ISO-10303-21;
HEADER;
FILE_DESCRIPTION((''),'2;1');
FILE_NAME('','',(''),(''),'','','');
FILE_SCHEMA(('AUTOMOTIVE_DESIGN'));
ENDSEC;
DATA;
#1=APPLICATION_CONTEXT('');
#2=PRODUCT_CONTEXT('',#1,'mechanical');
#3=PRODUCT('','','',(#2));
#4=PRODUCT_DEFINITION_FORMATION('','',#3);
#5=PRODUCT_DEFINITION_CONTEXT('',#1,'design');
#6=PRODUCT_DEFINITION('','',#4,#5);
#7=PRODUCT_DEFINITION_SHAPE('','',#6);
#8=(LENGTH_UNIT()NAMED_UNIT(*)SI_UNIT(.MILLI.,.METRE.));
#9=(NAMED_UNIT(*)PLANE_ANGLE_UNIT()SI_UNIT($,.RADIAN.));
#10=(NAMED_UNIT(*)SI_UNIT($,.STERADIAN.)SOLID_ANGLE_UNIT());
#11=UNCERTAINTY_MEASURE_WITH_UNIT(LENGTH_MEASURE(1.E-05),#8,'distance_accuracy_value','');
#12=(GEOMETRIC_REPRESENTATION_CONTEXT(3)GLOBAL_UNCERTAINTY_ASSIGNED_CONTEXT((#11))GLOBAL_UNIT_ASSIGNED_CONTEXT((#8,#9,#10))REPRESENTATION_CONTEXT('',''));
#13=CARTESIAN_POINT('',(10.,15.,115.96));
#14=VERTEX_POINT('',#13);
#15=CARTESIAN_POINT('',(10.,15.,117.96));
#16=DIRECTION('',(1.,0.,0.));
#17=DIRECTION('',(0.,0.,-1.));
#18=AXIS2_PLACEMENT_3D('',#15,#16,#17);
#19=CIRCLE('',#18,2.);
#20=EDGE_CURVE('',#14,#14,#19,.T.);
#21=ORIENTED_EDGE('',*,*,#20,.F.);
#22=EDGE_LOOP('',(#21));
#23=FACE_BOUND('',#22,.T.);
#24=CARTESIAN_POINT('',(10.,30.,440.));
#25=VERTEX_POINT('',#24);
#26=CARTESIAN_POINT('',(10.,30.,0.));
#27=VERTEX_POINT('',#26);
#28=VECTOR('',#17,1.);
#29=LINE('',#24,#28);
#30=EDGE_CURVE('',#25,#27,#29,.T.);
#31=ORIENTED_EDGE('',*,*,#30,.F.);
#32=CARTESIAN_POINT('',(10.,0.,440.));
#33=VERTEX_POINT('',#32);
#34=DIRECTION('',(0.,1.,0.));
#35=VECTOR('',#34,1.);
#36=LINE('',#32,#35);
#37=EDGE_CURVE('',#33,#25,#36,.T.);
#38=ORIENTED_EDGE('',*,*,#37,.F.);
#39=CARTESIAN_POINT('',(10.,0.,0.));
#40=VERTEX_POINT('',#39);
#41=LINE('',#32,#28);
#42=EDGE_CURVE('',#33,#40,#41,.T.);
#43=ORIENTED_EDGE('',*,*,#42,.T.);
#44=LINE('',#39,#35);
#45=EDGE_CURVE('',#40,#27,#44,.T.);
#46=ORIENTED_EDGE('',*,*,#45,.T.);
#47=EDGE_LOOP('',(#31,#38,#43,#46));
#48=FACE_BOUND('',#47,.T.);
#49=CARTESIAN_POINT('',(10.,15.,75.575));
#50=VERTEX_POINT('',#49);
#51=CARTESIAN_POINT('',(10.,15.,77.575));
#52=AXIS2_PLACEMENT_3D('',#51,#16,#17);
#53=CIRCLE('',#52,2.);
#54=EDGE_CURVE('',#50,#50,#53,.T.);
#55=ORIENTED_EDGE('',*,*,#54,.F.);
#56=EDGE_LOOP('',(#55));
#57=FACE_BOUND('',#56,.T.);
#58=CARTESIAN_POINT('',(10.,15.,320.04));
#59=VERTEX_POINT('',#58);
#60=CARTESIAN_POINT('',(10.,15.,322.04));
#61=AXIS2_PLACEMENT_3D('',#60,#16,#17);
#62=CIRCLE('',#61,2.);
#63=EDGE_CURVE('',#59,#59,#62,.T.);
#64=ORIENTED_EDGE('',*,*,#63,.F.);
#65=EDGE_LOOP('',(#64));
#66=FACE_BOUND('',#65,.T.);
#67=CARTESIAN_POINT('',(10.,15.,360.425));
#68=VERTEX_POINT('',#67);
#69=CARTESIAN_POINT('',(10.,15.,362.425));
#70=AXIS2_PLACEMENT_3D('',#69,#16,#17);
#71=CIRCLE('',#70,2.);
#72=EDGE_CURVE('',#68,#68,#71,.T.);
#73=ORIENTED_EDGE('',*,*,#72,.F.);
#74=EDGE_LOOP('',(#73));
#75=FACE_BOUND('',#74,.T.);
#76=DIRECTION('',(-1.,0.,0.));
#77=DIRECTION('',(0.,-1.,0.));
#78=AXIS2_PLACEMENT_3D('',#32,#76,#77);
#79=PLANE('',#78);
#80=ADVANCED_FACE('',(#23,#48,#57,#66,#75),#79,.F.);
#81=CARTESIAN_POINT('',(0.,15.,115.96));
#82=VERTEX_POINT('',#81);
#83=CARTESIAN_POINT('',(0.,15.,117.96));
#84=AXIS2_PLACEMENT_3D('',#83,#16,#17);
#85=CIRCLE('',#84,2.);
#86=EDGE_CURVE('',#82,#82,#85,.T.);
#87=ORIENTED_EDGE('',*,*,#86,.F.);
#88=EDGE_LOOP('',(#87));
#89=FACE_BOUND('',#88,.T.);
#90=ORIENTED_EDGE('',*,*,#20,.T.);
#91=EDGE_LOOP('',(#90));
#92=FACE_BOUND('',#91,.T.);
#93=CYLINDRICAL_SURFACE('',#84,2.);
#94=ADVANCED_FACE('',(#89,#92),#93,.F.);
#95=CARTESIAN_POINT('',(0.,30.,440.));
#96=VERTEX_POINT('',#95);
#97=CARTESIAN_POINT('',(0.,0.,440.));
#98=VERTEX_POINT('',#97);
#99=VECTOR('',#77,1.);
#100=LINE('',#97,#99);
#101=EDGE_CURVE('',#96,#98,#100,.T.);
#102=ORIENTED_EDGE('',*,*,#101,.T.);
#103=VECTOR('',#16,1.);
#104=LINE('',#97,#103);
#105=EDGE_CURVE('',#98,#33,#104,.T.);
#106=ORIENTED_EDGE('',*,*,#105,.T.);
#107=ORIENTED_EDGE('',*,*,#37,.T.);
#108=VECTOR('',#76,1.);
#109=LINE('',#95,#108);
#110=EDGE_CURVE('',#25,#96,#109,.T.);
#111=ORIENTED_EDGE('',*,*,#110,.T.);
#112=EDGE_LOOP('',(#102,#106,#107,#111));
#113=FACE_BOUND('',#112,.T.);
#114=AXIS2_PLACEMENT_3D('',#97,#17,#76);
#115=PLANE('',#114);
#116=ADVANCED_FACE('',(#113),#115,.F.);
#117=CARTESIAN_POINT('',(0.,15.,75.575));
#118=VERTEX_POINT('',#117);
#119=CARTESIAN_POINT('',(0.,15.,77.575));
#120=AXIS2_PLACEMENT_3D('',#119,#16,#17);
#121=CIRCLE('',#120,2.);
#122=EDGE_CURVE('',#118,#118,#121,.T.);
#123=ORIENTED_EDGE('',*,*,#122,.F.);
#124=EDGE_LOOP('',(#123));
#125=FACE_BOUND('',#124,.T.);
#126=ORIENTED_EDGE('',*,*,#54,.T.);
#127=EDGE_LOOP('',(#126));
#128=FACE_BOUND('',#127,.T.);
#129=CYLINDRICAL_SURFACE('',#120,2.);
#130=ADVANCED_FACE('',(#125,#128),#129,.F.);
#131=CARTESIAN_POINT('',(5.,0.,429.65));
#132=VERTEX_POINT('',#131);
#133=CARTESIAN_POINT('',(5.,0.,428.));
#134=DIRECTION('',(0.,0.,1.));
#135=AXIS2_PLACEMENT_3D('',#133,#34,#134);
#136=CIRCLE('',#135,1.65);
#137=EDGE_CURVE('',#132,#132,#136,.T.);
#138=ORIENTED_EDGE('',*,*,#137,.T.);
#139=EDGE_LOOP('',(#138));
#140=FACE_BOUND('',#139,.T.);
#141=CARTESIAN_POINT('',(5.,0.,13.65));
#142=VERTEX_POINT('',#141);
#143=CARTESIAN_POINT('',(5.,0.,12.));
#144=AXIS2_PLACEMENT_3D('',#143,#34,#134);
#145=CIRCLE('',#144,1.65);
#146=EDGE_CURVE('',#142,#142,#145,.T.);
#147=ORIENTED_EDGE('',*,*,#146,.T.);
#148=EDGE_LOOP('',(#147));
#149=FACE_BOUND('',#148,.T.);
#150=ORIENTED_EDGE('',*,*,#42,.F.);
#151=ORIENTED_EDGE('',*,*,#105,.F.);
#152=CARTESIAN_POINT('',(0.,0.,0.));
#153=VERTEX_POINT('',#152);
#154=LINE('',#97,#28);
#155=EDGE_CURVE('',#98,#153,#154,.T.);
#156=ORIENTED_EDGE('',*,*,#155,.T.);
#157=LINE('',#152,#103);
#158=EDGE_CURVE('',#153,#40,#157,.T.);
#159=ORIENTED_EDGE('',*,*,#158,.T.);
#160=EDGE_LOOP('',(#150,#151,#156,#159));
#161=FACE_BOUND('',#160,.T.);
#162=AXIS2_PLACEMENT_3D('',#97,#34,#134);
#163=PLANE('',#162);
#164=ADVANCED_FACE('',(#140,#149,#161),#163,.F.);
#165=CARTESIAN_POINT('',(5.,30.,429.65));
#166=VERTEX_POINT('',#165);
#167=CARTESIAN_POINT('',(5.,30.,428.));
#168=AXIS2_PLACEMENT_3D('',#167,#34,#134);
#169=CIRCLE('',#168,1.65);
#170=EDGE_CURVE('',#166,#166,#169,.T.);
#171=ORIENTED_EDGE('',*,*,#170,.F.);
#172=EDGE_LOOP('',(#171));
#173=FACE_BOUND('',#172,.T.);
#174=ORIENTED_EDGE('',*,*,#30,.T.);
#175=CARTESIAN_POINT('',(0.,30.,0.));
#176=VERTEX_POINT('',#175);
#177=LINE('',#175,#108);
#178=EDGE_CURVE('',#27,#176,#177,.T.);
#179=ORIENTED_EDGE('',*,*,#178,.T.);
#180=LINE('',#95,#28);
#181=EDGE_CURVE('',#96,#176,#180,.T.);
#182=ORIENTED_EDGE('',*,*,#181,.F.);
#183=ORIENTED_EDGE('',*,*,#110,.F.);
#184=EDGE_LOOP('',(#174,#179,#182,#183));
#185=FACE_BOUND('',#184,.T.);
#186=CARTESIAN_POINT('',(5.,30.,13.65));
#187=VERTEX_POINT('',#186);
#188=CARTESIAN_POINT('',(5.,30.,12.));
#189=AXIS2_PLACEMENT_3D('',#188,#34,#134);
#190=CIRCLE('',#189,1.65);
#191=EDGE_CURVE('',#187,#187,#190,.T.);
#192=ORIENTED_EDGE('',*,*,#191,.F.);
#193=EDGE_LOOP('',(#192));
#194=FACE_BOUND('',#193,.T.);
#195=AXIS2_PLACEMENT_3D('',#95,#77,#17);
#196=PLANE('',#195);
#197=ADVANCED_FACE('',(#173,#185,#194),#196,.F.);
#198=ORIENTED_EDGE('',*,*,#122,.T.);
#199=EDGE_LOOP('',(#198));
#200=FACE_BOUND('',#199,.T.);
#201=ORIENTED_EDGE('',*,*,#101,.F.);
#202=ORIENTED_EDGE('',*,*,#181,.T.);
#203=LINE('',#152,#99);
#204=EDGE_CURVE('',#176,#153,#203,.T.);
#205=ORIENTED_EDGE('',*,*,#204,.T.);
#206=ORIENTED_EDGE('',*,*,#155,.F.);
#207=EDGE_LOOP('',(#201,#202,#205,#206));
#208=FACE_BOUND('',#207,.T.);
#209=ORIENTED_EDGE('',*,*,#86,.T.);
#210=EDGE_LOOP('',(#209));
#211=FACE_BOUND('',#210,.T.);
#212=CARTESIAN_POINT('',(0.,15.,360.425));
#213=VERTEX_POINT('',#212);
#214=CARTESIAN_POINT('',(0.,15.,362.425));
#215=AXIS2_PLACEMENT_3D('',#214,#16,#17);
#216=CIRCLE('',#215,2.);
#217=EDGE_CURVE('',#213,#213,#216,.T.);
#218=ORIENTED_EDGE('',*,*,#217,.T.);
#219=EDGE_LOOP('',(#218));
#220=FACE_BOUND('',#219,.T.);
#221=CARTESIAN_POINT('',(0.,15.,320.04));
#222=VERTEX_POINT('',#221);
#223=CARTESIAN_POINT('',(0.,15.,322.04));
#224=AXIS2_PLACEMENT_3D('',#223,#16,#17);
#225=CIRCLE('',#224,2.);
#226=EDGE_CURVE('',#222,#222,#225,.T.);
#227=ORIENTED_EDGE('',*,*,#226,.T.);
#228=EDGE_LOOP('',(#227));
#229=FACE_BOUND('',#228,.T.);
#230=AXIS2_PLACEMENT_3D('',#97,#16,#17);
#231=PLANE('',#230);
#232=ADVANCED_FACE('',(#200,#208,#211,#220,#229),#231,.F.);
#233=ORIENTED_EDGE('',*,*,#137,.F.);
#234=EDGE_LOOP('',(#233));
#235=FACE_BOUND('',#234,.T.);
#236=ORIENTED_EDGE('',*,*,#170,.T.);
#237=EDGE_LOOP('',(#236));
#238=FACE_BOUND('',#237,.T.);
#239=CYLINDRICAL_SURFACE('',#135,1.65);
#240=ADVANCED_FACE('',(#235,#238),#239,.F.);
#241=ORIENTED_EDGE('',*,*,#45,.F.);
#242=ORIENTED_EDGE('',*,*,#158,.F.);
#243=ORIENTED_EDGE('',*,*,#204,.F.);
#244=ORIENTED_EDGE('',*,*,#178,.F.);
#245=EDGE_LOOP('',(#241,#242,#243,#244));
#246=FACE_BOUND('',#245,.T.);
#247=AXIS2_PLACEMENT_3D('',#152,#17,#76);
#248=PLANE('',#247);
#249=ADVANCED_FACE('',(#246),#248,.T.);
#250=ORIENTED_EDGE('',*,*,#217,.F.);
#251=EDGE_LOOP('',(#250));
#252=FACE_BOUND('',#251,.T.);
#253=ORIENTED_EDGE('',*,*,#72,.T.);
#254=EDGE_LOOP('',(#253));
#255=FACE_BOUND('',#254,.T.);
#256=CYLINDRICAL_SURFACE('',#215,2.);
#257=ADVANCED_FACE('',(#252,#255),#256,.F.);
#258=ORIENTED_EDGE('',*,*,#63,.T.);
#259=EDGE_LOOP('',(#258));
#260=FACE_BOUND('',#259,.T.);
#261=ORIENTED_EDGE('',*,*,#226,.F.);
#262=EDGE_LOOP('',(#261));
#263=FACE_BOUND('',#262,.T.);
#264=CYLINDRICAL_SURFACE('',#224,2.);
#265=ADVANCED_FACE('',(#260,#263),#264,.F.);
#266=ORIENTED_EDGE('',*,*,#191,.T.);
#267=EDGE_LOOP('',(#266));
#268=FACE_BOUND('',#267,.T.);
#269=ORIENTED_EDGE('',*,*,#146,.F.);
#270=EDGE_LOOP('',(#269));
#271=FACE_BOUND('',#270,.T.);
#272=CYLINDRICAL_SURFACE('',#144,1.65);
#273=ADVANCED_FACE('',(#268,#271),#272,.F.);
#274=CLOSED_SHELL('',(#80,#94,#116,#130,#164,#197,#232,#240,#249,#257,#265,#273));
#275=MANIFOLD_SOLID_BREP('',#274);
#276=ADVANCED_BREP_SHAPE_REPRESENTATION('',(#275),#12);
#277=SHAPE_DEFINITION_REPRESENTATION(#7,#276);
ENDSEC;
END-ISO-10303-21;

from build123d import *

# Parameters (mm, degrees)
SKETCH1_W               = 10
SKETCH1_H               = 30
BOSS_EXTRUDE1_DEPTH     = 440
ESQUISSE1_R             = 1.65
ENL_V_MAT_EXTRU_1_DEPTH = 442.134900002
ESQUISSE2_R             = 2
ENL_V_MAT_EXTRU_2_DEPTH = 442.134900002


with BuildPart() as part:
    # Sketch1 → Boss-Extrude1 (new body)
    with BuildSketch(Plane.XY):
        with Locations((5, 15)):
            Rectangle(SKETCH1_W, SKETCH1_H)
    extrude(amount=BOSS_EXTRUDE1_DEPTH)

    # Esquisse1 → Enlèv. mat.-Extru.1 (cut, through all)
    with BuildSketch(Plane(origin=(0, 30, 0), x_dir=(1, 0, 0), z_dir=(0, 1, 0))):
        with Locations(Location((5, -428, 0), (0, 0, 270))):
            Circle(ESQUISSE1_R)
        with Locations(Location((5, -12, 0), (0, 0, 270))):
            Circle(ESQUISSE1_R)
    extrude(amount=-ENL_V_MAT_EXTRU_1_DEPTH, mode=Mode.SUBTRACT)

    # Esquisse2 → Enlèv. mat.-Extru.2 (cut, through all)
    with BuildSketch(Plane(origin=(10, 0, 0), x_dir=(0, 0, -1), z_dir=(1, 0, 0))):
        with Locations((-362.425, 15)):
            Circle(ESQUISSE2_R)
        with Locations((-77.575, 15)):
            Circle(ESQUISSE2_R)
        with Locations((-322.04, 15)):
            Circle(ESQUISSE2_R)
        with Locations((-117.96, 15)):
            Circle(ESQUISSE2_R)
    extrude(amount=-ENL_V_MAT_EXTRU_2_DEPTH, mode=Mode.SUBTRACT)


solid = part.part
